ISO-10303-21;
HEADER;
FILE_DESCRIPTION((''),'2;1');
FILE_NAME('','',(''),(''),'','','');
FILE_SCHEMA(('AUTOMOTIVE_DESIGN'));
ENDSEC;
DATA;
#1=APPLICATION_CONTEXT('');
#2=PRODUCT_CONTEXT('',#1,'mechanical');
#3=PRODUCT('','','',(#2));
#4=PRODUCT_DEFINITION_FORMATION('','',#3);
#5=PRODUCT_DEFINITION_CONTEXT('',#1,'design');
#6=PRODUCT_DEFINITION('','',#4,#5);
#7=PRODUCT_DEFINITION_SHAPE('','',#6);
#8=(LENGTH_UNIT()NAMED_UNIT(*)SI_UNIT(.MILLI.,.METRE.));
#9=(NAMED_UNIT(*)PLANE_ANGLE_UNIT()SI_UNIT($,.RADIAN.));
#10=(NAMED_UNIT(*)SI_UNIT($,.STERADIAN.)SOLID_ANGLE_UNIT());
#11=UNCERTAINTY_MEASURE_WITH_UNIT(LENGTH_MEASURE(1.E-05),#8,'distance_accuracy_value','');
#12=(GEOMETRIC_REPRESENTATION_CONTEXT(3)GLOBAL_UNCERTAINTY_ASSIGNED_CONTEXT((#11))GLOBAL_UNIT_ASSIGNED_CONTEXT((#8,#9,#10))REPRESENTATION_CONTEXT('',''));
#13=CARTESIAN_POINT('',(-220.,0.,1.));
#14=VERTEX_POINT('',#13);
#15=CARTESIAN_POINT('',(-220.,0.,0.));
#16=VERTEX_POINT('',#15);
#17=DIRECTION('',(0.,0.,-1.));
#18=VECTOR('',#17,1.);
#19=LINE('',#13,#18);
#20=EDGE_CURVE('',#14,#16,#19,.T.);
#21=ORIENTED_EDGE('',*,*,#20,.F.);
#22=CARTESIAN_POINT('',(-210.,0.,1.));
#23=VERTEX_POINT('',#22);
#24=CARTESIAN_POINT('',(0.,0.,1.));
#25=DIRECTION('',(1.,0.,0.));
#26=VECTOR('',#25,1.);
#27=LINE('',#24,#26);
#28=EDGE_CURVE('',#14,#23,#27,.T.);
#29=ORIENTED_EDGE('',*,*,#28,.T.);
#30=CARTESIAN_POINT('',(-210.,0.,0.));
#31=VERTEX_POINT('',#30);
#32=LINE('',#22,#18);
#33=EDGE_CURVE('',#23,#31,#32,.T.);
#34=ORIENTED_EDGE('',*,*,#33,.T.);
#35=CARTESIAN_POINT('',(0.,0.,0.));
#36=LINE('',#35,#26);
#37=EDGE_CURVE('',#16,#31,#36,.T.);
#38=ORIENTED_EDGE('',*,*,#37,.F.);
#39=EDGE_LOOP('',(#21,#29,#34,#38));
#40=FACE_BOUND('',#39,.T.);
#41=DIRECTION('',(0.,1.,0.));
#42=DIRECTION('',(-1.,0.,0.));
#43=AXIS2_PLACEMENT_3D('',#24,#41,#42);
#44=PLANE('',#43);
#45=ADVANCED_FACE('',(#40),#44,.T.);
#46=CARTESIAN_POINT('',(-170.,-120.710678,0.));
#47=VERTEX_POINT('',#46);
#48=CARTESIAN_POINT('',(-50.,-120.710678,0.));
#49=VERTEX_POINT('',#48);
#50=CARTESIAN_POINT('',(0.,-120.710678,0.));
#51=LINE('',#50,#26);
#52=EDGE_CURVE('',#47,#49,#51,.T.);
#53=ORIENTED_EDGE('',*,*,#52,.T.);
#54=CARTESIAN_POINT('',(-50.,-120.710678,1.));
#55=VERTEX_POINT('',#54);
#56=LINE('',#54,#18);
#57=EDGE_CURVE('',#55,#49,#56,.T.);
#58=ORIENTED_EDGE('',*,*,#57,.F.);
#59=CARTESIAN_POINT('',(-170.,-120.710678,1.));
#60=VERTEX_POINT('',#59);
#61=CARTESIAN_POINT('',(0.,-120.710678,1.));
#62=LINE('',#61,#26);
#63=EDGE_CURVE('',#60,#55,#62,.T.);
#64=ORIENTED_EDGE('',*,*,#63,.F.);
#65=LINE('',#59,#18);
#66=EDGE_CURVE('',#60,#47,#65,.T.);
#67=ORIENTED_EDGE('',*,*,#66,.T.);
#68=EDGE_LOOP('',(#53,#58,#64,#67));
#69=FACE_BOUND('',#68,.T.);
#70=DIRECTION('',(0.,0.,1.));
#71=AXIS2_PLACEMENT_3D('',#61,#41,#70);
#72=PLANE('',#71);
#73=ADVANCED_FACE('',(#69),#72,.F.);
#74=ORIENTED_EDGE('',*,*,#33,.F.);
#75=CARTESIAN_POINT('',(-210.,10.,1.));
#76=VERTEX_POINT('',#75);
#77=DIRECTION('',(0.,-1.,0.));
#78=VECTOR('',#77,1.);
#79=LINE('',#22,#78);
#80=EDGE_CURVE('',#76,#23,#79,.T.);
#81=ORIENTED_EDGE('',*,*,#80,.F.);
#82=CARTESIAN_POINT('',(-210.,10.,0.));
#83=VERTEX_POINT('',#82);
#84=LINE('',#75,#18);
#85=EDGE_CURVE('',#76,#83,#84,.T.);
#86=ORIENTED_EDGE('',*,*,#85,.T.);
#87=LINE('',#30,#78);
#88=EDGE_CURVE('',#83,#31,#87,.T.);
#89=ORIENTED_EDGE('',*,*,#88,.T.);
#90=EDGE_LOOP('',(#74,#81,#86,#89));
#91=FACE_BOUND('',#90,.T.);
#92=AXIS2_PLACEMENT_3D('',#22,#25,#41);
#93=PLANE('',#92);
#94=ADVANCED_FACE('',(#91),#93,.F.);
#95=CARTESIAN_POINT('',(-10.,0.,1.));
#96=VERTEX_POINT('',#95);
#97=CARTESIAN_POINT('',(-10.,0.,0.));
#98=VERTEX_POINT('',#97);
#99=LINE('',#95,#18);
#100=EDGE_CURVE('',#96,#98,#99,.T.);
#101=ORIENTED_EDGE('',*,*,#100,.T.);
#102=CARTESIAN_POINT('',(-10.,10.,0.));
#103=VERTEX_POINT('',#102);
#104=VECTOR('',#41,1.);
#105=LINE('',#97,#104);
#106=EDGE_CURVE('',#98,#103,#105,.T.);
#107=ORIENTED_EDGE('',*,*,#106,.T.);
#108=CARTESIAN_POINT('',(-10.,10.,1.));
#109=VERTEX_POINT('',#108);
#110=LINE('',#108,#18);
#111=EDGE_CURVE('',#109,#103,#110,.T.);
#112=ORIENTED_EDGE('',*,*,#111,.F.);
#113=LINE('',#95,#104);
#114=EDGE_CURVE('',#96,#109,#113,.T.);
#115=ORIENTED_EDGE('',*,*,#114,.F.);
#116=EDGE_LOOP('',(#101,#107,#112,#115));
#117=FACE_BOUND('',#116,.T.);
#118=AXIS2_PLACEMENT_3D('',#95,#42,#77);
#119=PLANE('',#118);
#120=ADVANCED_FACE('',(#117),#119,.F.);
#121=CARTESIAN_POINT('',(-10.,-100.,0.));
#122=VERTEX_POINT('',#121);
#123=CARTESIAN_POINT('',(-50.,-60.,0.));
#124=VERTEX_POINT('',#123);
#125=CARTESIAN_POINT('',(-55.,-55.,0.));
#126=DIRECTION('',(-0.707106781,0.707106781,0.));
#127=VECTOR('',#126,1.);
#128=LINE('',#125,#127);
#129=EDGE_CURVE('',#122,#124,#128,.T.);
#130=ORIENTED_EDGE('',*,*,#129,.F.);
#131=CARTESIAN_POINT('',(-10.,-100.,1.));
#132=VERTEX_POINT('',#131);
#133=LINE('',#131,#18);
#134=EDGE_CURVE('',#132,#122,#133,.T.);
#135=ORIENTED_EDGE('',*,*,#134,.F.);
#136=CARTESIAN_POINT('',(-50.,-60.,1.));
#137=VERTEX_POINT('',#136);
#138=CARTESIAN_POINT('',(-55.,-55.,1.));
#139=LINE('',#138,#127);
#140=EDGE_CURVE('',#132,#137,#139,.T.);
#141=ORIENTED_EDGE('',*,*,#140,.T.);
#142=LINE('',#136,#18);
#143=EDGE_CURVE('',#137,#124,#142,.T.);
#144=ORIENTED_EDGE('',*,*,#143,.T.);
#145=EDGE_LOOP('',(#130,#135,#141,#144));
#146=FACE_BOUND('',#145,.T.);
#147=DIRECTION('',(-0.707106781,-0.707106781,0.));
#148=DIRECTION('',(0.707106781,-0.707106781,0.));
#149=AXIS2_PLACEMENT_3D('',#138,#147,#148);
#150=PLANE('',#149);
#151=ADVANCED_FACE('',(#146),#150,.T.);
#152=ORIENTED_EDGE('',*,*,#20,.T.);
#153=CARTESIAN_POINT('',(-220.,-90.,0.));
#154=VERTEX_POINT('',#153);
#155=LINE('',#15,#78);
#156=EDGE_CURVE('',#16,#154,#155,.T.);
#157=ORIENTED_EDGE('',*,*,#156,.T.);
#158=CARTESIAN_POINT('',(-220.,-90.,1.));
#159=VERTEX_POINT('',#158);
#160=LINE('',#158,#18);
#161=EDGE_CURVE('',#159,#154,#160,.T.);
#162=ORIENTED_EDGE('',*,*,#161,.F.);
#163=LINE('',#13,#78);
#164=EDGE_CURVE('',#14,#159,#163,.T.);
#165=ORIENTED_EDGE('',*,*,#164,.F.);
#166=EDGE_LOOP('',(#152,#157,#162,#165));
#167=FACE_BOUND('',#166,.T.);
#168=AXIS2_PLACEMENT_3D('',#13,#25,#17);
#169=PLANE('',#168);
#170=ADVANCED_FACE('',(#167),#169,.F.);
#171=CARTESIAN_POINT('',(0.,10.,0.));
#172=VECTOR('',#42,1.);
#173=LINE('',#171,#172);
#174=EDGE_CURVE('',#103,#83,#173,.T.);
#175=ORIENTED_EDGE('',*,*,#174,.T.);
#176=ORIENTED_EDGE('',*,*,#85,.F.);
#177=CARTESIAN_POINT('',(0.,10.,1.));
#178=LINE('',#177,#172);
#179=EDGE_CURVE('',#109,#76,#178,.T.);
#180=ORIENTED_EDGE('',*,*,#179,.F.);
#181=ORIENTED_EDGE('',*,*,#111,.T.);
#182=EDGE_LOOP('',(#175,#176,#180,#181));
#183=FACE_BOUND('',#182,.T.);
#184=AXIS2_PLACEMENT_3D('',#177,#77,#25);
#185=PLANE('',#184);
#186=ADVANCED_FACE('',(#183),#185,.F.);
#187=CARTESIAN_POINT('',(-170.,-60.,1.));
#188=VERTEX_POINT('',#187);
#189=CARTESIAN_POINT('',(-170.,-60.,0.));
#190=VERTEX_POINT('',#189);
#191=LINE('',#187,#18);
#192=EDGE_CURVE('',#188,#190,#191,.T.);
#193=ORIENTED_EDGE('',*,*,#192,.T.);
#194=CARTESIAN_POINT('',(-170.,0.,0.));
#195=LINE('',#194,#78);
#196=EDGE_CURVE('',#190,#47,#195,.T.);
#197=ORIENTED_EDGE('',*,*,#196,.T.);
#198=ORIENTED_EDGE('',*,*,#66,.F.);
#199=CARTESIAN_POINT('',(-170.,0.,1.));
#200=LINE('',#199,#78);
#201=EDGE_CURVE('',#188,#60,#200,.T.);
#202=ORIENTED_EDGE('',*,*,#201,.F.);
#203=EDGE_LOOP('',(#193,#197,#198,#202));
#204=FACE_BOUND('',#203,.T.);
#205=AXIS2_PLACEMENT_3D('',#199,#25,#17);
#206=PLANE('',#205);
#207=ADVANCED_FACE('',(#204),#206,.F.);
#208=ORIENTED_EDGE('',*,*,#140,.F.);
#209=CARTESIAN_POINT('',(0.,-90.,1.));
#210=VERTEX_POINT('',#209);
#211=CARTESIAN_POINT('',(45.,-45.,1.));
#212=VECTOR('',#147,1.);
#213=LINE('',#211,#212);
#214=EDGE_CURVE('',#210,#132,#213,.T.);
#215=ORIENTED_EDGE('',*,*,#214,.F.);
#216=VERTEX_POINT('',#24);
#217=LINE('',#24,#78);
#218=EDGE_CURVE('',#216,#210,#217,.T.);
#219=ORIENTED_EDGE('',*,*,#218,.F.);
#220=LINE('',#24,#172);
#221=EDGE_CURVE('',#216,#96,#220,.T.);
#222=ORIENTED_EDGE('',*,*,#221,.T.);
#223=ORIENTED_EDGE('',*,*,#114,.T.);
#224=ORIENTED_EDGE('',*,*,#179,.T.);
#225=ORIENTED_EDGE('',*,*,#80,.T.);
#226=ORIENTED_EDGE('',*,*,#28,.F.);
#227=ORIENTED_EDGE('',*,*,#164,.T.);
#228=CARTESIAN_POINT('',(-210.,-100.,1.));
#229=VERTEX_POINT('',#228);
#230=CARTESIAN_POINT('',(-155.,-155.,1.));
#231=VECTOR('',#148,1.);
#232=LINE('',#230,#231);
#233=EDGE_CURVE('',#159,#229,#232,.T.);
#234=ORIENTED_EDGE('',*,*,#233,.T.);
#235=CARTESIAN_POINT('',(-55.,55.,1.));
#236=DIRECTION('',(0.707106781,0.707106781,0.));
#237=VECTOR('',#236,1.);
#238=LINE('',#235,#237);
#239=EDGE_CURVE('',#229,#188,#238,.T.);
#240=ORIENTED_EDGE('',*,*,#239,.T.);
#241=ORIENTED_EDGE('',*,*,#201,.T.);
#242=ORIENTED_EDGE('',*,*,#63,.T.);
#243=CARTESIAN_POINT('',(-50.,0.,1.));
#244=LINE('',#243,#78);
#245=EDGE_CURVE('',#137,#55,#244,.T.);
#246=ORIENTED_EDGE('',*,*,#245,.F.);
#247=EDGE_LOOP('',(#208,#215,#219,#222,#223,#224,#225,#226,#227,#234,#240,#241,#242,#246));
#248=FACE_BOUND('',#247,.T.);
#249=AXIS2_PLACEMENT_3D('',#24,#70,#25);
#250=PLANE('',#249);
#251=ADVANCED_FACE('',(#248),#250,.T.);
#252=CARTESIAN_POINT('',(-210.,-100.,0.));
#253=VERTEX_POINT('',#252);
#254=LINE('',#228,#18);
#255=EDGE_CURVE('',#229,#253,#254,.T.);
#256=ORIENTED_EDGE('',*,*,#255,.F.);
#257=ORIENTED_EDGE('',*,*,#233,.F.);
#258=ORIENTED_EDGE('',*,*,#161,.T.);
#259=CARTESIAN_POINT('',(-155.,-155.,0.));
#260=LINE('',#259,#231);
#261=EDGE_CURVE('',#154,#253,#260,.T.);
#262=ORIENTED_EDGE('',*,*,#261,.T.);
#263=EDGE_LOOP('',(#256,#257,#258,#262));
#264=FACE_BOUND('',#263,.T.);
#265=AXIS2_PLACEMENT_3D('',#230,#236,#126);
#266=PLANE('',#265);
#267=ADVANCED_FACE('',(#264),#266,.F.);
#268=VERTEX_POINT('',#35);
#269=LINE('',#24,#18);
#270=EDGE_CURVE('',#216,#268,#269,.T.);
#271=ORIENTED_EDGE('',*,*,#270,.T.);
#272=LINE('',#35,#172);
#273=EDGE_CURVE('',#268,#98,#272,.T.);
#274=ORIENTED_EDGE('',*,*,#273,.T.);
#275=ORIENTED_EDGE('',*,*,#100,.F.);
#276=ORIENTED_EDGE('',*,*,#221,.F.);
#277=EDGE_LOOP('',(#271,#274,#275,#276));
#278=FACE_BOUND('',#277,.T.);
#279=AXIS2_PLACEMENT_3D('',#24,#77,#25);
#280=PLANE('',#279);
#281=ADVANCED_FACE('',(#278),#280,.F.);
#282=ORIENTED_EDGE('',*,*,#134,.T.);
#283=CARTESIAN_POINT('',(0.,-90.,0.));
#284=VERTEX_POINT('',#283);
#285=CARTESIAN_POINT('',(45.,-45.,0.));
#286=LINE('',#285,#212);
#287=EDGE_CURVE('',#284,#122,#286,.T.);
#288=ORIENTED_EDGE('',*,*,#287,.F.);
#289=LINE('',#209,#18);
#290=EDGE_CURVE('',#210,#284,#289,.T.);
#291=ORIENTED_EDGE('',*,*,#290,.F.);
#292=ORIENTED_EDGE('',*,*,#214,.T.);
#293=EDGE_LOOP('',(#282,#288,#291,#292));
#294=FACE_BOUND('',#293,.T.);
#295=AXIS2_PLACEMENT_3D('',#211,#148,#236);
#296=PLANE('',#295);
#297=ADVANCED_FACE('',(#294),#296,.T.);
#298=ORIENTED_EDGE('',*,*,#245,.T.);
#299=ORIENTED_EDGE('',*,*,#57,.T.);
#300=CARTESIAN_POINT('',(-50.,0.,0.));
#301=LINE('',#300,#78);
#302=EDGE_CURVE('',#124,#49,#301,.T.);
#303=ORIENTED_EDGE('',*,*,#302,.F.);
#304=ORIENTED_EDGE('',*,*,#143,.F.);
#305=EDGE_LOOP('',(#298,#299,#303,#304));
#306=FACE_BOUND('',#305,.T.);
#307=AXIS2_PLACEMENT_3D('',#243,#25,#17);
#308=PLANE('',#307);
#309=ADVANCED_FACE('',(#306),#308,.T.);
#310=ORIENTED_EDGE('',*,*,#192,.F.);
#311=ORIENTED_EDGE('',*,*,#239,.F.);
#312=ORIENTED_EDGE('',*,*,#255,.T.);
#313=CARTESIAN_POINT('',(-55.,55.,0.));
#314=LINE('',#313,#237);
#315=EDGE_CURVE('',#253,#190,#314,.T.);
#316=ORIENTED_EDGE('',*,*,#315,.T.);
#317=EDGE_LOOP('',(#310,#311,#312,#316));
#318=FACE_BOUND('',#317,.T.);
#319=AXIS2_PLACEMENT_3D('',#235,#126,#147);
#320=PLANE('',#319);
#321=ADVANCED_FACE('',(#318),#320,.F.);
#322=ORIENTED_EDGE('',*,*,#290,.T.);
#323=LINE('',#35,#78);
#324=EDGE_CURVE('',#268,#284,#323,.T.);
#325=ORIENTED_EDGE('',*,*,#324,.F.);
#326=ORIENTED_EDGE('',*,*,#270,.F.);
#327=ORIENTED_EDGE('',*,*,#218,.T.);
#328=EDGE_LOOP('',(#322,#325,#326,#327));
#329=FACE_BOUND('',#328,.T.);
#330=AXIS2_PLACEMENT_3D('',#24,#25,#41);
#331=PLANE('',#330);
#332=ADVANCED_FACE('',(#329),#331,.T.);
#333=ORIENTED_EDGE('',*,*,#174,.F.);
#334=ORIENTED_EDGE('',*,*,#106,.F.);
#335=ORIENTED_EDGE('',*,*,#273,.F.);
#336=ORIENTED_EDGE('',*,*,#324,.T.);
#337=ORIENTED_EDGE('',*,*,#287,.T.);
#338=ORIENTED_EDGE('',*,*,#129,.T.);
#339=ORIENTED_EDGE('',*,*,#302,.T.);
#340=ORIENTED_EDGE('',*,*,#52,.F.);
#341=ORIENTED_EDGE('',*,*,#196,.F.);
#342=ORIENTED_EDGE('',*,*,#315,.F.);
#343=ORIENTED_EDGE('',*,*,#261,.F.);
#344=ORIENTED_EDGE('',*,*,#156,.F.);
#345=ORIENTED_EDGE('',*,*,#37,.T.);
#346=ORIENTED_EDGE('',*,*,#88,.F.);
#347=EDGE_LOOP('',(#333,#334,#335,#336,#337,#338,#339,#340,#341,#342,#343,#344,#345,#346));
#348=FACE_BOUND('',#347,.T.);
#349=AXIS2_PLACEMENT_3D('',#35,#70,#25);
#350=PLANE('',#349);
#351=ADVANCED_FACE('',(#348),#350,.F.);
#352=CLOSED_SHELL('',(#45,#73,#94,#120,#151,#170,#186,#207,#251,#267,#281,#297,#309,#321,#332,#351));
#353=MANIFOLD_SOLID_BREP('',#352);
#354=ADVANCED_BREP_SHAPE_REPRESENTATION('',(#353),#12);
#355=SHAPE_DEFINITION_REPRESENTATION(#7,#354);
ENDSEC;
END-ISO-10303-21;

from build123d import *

# Parameters (mm, degrees)
SALIENTE_EXTRUIR1_DEPTH = 1


with BuildPart() as part:
    # Croquis1 → Saliente-Extruir1 (new body)
    with BuildSketch(Plane.XY):
        Polygon((0, 0), (-10, 0), (-10, 10), (-210, 10), (-210, 0), (-220, 0), (-220, -90), (-210, -100), (-170, -60), (-170, -120.710678119), (-50, -120.710678119), (-50, -60), (-10, -100), (0, -90), align=None)
    extrude(amount=SALIENTE_EXTRUIR1_DEPTH)


solid = part.part
